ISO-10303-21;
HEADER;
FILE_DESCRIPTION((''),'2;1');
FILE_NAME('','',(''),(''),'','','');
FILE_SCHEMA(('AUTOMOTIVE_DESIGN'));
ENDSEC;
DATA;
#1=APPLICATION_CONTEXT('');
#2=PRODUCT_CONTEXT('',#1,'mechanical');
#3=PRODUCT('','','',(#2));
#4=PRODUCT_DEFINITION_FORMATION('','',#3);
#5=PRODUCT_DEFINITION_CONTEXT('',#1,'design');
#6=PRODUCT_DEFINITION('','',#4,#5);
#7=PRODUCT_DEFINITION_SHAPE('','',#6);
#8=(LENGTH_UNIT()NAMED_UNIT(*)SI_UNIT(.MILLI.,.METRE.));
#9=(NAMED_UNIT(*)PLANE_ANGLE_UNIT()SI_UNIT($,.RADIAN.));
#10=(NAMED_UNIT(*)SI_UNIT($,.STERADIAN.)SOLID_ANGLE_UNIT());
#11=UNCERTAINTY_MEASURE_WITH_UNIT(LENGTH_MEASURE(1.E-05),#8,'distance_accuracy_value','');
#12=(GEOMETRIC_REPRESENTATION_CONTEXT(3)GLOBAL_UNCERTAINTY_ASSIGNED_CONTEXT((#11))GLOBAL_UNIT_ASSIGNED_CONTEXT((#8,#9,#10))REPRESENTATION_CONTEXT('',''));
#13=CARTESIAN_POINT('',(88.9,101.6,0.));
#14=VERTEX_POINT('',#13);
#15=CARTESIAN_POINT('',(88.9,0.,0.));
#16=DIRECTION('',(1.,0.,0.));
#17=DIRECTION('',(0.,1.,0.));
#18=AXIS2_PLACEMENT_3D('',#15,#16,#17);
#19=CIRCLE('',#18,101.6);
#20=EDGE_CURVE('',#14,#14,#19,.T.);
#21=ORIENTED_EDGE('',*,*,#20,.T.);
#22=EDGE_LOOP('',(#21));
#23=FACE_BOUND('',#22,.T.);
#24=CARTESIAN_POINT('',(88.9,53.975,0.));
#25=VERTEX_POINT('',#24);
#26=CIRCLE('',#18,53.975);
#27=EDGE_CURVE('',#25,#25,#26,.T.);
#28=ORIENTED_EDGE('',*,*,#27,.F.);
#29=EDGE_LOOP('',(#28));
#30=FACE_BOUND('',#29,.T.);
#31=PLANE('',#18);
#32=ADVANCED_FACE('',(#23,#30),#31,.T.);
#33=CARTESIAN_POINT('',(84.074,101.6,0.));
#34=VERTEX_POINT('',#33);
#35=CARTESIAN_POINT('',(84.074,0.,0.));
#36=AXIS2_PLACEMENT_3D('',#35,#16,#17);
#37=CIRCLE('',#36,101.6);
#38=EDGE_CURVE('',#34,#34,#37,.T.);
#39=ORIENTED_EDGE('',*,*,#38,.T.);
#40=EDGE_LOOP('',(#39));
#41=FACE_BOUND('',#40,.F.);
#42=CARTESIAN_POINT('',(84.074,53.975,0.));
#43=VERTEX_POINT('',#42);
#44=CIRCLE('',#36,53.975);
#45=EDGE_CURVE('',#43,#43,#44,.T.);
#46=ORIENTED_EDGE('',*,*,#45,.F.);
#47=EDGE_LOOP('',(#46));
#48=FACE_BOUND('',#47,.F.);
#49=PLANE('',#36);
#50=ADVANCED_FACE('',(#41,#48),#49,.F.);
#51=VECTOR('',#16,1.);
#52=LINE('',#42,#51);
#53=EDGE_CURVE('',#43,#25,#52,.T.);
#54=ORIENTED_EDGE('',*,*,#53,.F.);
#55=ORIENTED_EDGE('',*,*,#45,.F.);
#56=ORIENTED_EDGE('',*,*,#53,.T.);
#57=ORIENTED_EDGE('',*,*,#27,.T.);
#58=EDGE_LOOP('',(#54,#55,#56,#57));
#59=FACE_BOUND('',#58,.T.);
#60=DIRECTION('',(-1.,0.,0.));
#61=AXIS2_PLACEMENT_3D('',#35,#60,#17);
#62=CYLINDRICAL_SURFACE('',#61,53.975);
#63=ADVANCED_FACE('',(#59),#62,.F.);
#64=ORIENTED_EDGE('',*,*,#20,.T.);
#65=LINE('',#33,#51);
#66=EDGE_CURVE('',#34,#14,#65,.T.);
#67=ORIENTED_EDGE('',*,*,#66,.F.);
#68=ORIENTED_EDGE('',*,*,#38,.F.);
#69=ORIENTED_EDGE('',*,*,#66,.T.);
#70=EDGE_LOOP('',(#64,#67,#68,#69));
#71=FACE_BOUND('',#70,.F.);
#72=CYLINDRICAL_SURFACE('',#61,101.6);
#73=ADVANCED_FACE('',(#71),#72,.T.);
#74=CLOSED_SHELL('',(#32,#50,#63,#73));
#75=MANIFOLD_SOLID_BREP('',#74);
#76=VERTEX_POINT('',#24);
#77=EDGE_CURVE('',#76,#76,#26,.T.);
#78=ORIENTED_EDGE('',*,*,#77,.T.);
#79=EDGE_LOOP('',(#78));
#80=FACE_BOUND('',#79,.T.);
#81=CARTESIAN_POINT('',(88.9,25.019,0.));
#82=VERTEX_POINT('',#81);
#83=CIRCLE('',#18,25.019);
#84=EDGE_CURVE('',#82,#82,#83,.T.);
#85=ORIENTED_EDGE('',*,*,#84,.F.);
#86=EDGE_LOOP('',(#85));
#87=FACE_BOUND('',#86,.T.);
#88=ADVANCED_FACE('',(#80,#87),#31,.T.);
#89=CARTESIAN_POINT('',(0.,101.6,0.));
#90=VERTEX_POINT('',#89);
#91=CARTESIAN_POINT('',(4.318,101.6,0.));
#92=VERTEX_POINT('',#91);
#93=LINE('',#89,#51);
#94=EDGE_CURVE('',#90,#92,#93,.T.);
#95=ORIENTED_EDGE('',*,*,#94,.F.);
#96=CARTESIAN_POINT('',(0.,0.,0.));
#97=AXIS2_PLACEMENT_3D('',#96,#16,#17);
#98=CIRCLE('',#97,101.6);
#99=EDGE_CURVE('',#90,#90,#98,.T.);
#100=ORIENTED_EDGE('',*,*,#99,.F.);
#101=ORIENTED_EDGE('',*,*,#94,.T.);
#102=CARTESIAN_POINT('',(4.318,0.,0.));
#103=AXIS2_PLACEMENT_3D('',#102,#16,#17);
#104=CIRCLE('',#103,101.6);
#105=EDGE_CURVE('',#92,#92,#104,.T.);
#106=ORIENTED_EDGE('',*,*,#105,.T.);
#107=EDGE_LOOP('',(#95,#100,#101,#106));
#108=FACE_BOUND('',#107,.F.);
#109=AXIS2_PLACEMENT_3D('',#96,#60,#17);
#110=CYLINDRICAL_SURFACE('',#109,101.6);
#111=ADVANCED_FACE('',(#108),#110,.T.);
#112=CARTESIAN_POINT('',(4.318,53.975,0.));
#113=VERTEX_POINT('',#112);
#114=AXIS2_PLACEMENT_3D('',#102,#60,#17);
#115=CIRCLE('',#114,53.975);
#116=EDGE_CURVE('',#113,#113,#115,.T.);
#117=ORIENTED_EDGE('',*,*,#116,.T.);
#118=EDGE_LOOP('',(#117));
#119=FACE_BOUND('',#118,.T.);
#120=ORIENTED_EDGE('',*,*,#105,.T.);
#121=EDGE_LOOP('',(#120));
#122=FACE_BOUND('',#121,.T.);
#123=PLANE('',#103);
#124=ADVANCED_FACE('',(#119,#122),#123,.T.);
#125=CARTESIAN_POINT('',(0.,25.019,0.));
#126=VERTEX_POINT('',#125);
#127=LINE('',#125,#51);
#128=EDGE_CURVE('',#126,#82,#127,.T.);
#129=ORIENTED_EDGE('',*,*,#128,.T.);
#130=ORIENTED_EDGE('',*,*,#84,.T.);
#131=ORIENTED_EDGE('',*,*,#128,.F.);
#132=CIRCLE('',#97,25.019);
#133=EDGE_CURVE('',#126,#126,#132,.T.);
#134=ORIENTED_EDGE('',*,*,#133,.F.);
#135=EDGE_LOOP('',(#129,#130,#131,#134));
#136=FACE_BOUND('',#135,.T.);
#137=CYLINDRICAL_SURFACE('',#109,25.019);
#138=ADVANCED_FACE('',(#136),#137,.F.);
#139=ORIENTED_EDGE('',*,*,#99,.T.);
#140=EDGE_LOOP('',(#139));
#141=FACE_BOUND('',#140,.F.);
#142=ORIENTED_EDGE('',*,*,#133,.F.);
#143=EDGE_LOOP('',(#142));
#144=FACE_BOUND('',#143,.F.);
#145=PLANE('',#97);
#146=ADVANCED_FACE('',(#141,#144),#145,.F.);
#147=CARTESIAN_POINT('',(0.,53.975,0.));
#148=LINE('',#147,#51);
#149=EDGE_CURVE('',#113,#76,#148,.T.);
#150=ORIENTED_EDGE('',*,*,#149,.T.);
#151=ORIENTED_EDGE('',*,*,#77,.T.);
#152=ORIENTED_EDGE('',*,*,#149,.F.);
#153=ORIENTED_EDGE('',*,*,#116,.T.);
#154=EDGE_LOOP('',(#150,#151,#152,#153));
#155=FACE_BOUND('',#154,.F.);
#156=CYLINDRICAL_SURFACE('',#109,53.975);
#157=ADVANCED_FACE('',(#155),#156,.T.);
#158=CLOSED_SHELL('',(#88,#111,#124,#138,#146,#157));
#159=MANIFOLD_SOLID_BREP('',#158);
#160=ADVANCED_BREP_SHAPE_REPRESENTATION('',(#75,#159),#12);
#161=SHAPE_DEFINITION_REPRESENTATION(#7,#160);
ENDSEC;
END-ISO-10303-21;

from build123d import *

# Parameters (mm, degrees)
F0_R     = 101.6
F0_R_2   = 53.975
F0_R_3   = 25.019
F1_DEPTH = 4.318
F2_DEPTH = 88.9
F3_START = 84.074
F3_DEPTH = 4.826


with BuildPart() as f1:
    # F0 (on Right) → F1 (new body)
    with BuildSketch(Plane.YZ):
        Circle(F0_R)
        Circle(F0_R_2, mode=Mode.SUBTRACT)
        Circle(F0_R_2)
        Circle(F0_R_3, mode=Mode.SUBTRACT)
    extrude(amount=F1_DEPTH)

    # F0 (on Right) → F2 (join)
    with BuildSketch(Plane.YZ):
        Circle(F0_R_2)
        Circle(F0_R_3, mode=Mode.SUBTRACT)
    extrude(amount=F2_DEPTH)


with BuildPart() as f3:
    # F0 (on Right) → F3 (new body)
    with BuildSketch(Plane.YZ.offset(F3_START)):
        Circle(F0_R)
        Circle(F0_R_2, mode=Mode.SUBTRACT)
    extrude(amount=F3_DEPTH)


solid = Compound([f1.part, f3.part])
